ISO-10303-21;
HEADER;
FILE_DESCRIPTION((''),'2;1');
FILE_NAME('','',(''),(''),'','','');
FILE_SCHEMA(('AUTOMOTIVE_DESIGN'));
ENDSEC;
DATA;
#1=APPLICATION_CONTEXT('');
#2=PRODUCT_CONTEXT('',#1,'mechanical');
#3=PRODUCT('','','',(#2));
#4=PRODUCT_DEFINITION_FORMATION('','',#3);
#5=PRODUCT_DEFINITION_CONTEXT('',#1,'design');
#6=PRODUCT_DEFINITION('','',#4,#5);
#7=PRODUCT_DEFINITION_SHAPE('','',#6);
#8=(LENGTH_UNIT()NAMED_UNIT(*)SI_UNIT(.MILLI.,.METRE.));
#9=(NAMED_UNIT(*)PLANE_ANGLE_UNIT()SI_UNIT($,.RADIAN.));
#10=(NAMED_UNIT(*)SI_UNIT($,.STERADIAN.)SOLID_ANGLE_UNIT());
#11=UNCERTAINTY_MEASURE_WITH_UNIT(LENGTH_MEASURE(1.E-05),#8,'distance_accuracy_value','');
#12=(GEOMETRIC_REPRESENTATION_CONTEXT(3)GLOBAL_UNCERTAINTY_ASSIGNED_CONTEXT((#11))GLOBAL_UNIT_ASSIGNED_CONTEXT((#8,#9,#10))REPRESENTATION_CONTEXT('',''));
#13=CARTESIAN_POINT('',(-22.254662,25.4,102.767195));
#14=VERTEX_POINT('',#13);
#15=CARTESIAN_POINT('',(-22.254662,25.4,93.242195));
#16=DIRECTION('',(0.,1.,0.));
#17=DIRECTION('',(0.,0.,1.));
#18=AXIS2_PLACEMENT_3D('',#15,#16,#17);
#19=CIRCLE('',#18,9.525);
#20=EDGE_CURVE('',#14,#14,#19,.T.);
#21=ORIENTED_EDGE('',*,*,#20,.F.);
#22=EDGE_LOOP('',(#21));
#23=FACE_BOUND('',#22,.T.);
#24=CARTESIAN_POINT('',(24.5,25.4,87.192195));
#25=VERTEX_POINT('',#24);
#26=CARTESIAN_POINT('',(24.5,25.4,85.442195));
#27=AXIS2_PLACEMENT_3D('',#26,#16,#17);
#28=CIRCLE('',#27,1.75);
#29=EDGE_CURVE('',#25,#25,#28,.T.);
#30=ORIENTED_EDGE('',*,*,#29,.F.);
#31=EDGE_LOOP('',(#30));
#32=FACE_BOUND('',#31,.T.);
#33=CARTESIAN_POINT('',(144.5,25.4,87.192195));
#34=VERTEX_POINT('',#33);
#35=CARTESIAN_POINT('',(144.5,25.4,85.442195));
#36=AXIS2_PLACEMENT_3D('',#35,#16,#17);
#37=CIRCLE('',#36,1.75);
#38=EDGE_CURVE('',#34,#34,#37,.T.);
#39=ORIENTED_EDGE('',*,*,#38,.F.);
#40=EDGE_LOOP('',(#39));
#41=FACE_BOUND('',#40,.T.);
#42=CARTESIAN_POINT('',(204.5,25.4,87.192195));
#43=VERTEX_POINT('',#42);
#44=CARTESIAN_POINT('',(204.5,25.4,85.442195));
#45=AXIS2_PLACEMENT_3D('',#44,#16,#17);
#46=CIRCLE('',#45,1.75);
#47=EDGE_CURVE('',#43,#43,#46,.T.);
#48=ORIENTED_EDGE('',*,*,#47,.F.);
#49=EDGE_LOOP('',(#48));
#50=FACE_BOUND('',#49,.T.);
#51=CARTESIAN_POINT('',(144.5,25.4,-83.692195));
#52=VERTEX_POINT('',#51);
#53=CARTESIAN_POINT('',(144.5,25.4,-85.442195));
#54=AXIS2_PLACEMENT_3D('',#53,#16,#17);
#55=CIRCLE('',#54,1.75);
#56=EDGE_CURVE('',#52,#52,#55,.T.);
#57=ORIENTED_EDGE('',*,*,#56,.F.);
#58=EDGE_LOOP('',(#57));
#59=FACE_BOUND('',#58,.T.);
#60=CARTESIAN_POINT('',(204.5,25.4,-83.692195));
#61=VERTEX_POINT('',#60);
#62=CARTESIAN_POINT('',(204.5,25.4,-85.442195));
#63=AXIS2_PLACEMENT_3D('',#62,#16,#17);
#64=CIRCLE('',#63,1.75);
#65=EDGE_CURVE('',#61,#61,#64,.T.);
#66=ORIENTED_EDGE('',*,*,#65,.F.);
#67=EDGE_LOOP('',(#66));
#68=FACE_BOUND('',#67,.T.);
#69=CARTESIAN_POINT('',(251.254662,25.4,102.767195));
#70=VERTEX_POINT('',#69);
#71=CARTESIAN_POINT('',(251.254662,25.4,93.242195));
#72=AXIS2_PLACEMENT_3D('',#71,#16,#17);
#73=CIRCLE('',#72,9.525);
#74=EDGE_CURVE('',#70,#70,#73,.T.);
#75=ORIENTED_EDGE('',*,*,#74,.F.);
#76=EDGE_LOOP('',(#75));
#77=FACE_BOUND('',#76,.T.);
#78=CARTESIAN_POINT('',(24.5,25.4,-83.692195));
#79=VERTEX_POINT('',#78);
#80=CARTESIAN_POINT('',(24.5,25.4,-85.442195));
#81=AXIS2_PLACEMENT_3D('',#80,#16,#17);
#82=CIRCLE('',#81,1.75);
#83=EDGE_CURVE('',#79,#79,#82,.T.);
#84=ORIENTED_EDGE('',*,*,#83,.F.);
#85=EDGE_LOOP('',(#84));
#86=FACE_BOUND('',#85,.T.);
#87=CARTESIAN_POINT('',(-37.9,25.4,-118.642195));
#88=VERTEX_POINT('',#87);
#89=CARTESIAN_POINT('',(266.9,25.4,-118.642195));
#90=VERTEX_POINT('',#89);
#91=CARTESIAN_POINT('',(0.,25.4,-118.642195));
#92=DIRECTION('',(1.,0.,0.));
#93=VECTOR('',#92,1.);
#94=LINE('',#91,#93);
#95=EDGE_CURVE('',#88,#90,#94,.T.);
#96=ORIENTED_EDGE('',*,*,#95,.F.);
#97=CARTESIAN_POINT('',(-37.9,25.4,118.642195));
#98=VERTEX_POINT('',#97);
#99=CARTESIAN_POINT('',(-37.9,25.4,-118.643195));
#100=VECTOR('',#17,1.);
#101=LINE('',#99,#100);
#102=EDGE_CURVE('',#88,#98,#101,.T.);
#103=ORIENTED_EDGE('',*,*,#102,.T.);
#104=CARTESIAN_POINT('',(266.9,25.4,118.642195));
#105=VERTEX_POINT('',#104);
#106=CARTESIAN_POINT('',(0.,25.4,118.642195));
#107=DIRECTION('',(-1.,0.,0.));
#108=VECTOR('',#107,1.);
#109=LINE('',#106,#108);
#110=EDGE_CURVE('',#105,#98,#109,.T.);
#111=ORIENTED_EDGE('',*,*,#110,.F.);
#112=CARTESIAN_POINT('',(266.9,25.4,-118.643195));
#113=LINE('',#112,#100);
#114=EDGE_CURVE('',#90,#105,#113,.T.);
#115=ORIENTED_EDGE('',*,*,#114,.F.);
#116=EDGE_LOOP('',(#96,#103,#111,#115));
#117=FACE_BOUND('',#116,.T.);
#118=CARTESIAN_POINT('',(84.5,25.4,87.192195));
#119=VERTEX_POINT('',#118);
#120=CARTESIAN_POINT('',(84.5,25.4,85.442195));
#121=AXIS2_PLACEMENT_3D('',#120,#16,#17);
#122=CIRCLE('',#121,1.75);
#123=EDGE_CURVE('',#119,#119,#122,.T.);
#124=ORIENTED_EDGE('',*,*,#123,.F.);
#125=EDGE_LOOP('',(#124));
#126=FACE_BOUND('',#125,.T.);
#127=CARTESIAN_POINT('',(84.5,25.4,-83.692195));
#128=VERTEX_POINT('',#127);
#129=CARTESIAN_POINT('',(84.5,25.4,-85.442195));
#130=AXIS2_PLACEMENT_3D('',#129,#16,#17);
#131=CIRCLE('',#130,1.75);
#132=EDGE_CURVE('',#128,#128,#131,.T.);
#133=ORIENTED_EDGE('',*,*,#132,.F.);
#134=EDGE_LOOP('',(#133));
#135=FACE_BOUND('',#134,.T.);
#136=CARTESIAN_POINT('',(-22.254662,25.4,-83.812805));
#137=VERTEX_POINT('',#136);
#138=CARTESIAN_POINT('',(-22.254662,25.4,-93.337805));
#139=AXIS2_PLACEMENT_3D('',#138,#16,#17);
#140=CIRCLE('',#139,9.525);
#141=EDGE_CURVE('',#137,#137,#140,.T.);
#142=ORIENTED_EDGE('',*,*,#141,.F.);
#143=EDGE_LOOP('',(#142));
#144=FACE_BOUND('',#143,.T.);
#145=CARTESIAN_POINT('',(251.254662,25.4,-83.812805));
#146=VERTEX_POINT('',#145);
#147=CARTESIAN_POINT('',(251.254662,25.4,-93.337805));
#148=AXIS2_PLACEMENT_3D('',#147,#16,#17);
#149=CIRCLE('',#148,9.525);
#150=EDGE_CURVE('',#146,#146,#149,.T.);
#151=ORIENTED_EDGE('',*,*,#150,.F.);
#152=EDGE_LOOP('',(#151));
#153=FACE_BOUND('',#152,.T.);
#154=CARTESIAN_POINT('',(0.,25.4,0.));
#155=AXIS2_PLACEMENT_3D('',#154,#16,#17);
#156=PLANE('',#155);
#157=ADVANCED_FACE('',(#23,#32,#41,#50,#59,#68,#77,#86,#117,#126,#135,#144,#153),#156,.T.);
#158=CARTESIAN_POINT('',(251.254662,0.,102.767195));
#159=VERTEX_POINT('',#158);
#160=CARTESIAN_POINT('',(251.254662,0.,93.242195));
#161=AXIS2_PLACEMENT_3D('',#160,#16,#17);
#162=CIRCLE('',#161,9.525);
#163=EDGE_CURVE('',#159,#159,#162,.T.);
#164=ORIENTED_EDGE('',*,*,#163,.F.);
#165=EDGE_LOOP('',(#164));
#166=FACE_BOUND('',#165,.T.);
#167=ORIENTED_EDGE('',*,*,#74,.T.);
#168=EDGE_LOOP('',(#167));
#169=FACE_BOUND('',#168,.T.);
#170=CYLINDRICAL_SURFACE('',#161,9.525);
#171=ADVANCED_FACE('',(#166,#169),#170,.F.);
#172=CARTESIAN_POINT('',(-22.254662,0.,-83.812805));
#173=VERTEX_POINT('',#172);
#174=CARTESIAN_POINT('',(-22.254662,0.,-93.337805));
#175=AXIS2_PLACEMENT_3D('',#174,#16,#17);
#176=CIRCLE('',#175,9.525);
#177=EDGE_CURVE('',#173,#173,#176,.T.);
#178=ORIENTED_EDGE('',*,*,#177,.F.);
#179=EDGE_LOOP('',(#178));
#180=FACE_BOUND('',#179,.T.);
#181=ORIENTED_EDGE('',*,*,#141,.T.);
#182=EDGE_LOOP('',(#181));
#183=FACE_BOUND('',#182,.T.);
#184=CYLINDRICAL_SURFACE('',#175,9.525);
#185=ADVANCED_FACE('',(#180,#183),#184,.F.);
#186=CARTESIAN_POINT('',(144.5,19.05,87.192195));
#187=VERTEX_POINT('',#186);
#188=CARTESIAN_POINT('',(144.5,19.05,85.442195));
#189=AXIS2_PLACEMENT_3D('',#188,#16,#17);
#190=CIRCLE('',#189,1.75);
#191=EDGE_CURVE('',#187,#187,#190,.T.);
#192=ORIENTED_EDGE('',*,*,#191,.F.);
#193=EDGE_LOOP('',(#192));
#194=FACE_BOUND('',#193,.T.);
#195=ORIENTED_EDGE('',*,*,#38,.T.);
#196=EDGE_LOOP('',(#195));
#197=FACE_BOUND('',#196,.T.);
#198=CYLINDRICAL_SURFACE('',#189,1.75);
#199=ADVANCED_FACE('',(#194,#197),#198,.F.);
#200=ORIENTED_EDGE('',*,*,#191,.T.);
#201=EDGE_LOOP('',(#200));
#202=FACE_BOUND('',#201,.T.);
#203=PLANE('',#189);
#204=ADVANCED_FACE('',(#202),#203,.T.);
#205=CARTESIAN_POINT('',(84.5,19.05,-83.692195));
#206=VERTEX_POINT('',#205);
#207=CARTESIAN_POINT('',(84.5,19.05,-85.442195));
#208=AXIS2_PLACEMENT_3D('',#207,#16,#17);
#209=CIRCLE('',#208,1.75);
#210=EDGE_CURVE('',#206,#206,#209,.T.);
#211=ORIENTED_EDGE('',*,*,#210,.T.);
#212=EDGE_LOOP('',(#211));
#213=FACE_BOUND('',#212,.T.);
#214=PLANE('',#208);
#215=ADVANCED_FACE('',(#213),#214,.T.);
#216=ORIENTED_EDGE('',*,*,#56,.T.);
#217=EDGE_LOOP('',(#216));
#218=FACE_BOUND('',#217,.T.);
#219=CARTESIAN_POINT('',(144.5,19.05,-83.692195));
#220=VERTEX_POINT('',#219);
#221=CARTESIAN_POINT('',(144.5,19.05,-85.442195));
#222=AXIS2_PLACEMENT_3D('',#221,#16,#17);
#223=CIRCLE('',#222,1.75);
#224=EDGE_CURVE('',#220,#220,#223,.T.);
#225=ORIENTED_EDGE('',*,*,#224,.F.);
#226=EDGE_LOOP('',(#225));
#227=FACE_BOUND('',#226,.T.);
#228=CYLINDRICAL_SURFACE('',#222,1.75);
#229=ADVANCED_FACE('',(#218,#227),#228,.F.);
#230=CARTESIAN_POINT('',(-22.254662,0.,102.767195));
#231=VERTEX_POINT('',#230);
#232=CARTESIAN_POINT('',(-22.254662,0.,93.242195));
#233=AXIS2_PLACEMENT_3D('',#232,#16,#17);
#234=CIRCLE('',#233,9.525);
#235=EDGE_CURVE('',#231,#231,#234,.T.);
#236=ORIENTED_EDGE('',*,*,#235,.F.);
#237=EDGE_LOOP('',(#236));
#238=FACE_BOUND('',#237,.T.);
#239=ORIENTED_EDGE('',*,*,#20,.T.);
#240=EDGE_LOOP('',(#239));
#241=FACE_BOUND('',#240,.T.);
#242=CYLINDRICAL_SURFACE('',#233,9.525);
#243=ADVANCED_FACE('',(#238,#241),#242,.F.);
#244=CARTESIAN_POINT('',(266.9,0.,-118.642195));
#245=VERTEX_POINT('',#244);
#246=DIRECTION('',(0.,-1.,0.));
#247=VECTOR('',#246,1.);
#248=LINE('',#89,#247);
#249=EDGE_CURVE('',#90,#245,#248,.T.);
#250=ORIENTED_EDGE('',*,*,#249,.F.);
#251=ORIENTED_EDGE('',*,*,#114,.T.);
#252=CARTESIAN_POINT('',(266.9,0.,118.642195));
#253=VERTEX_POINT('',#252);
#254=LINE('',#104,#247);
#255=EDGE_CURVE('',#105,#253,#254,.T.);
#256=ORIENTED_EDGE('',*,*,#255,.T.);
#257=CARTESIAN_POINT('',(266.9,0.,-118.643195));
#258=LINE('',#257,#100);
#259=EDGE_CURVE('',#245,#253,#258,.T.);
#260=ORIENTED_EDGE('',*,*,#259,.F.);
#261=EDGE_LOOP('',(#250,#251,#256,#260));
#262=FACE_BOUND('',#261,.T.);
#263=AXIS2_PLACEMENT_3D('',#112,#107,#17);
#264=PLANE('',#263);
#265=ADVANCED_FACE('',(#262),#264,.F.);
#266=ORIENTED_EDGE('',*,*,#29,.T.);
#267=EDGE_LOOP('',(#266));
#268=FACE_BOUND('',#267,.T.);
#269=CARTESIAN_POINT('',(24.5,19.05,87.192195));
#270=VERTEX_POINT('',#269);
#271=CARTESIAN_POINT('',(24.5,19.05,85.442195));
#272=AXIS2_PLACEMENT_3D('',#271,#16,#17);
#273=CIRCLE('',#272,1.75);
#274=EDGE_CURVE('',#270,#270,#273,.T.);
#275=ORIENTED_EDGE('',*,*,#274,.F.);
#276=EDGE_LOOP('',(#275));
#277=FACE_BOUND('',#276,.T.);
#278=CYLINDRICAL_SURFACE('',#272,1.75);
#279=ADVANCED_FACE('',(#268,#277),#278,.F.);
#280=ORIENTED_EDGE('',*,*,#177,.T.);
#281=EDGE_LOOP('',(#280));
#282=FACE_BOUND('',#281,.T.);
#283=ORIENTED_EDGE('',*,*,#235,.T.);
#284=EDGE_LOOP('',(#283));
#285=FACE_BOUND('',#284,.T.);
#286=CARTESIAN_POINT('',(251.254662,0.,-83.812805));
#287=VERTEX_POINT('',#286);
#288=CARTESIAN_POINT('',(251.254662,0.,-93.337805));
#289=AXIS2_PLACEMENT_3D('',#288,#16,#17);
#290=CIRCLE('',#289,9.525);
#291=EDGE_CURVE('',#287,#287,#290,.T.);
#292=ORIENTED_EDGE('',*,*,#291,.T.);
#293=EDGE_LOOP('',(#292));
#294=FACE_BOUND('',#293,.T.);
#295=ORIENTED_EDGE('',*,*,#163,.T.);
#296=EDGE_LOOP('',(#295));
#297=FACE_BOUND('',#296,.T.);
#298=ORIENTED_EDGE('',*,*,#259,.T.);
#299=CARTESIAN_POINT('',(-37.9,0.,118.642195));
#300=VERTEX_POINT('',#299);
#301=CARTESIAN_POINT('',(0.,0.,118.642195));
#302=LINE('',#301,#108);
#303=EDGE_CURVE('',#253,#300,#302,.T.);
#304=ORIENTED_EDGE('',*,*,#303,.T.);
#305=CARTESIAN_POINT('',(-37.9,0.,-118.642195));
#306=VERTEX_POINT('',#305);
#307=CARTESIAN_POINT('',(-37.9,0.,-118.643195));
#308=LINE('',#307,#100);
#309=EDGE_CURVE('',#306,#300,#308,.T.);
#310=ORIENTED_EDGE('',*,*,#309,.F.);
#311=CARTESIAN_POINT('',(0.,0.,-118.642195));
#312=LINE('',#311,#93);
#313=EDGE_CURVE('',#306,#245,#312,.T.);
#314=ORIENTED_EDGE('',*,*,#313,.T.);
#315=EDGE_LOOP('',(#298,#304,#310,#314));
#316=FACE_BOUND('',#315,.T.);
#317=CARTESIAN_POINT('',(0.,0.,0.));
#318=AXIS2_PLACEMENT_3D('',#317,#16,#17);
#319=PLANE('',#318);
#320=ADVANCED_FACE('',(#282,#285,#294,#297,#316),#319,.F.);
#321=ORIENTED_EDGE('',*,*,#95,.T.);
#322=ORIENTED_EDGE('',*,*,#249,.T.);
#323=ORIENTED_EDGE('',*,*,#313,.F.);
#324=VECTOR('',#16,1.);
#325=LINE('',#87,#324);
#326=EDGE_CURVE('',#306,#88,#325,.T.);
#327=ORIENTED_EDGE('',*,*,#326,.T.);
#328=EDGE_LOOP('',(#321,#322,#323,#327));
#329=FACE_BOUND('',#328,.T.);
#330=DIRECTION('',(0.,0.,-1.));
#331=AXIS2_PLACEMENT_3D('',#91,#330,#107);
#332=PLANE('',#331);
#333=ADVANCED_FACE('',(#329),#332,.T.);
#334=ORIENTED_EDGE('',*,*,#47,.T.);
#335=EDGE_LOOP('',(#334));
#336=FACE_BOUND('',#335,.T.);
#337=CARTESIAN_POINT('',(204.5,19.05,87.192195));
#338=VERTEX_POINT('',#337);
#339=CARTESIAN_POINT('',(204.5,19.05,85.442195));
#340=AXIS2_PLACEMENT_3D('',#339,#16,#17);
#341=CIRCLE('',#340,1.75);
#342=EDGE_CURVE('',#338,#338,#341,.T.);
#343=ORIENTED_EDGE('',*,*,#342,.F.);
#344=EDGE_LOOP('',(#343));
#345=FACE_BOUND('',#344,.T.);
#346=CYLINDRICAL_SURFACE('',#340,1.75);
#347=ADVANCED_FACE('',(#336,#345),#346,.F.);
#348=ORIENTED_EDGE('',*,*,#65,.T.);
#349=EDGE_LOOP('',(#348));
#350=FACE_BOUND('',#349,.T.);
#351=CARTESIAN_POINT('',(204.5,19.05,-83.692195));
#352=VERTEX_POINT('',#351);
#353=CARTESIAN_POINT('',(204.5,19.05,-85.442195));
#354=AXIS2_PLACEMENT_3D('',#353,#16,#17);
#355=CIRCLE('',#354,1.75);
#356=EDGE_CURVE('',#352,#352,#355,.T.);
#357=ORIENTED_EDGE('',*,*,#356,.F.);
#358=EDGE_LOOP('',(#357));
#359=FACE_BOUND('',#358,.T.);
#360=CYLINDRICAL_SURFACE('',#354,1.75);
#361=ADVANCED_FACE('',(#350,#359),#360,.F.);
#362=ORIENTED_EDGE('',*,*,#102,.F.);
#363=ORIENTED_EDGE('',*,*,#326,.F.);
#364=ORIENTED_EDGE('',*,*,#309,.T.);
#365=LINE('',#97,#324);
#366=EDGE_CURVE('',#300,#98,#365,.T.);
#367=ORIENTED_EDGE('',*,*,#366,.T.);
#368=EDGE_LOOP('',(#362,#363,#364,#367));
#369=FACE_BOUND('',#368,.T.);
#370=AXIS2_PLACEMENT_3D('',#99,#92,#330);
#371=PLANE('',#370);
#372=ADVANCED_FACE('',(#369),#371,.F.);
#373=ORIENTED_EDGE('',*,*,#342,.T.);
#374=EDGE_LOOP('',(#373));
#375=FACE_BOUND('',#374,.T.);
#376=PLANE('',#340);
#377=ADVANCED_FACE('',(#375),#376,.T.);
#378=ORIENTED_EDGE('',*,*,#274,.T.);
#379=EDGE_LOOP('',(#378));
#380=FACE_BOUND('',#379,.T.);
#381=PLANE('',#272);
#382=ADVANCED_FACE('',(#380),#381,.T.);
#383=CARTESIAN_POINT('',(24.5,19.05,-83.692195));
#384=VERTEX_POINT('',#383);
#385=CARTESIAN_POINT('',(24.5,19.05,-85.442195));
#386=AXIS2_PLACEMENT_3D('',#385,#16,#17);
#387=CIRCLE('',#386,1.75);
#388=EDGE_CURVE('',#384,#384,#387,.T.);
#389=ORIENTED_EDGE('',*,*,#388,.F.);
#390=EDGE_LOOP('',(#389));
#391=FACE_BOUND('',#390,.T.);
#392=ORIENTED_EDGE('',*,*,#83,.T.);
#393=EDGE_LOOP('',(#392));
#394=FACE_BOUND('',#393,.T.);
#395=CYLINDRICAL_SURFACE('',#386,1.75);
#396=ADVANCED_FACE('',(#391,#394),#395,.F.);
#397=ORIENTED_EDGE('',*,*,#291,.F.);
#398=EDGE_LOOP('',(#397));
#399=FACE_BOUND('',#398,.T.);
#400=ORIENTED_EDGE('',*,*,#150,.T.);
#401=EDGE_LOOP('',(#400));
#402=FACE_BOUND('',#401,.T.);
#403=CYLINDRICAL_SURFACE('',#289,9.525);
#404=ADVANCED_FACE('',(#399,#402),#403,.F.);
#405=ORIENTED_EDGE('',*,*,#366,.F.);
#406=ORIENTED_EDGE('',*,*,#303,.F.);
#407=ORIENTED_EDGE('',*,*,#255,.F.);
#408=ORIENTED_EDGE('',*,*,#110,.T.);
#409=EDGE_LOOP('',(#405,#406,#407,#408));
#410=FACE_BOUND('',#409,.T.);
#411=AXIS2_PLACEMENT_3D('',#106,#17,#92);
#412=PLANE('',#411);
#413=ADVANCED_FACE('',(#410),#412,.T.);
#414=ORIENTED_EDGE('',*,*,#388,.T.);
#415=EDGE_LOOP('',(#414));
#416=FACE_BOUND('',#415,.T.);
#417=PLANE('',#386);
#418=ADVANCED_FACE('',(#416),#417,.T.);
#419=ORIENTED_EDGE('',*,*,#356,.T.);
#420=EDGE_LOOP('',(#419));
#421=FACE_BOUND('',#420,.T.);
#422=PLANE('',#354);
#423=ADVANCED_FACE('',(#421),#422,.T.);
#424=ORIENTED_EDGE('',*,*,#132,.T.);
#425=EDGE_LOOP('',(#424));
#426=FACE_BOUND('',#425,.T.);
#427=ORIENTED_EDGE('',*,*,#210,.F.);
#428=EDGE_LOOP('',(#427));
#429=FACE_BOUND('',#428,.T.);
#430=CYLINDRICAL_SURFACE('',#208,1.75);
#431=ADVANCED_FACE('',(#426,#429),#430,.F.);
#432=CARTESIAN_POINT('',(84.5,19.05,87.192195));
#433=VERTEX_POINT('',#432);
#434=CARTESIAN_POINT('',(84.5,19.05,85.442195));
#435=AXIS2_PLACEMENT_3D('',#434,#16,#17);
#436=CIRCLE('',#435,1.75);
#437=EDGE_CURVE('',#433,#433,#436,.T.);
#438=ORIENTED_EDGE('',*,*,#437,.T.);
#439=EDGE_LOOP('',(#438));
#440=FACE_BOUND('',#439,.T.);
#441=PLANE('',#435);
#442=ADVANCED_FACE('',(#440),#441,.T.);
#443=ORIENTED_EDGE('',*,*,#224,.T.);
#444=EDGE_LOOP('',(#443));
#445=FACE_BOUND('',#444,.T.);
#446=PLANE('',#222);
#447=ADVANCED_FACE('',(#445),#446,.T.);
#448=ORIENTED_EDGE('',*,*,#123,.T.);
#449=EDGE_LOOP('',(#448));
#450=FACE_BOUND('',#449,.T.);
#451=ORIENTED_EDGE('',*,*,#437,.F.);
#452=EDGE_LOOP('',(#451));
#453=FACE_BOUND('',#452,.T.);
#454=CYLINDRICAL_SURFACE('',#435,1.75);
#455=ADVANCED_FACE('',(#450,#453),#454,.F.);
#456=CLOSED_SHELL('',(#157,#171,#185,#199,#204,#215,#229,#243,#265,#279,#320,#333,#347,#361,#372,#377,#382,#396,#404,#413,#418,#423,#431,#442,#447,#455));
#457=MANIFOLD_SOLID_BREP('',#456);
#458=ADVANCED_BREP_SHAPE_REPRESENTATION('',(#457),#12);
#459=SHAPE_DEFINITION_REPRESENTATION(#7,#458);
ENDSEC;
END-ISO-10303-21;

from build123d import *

# Parameters (mm, degrees)
SKETCH1_W           = 317.959323002
SKETCH1_H           = 237.284389444
BOSS_EXTRUDE1_DEPTH = 25.4
CUT_EXTRUDE1_START  = 25.4
SKETCH1_3_R         = 1.75
CUT_EXTRUDE1_DEPTH  = 6.35
SKETCH5_R           = 9.525
CUT_EXTRUDE2_DEPTH  = 26.4
CUT_EXTRUDE3_REACH  = 239.284
SKETCH6_W           = 11.775930683
SKETCH6_H           = 25.4
SKETCH6_W_2         = 11.132113684


with BuildPart() as part:
    # Sketch1 → Boss-Extrude1 (new body)
    with BuildSketch(Plane(origin=(0, 0, 0), x_dir=(1, 0, 0), z_dir=(0, 1, 0))):
        with Locations((114.5, 0)):
            Rectangle(SKETCH1_W, SKETCH1_H)
    extrude(amount=BOSS_EXTRUDE1_DEPTH)

    # Sketch1<3> → Cut-Extrude1 (cut)
    with BuildSketch(Plane(origin=(0, 0, 0), x_dir=(1, 0, 0), z_dir=(0, 1, 0)).offset(CUT_EXTRUDE1_START)):
        with Locations((24.5, 85.442194722)):
            Circle(SKETCH1_3_R)
        with Locations((84.5, 85.442194722)):
            Circle(SKETCH1_3_R)
        with Locations((144.5, 85.442194722)):
            Circle(SKETCH1_3_R)
        with Locations((204.5, 85.442194722)):
            Circle(SKETCH1_3_R)
        with Locations((24.5, -85.442194722)):
            Circle(SKETCH1_3_R)
        with Locations((84.5, -85.442194722)):
            Circle(SKETCH1_3_R)
        with Locations((144.5, -85.442194722)):
            Circle(SKETCH1_3_R)
        with Locations((204.5, -85.442194722)):
            Circle(SKETCH1_3_R)
    extrude(amount=-CUT_EXTRUDE1_DEPTH, mode=Mode.SUBTRACT)

    # Sketch5 → Cut-Extrude2 (cut, through all)
    with BuildSketch(Plane(origin=(0, 25.4, 0), x_dir=(1, 0, 0), z_dir=(0, 1, 0))):
        with Locations((-22.254661501, -93.242194722)):
            Circle(SKETCH5_R)
        with Locations((251.254661501, -93.242194722)):
            Circle(SKETCH5_R)
        with Locations((251.254661501, 93.337805278)):
            Circle(SKETCH5_R)
        with Locations((-22.254661501, 93.337805278)):
            Circle(SKETCH5_R)
    extrude(amount=-CUT_EXTRUDE2_DEPTH, mode=Mode.SUBTRACT)

    # Sketch6 → Cut-Extrude3 (cut, up to next)
    with BuildSketch(Plane.XY.offset(118.642194722), mode=Mode.PRIVATE) as cut_extrude3_sk1:
        with Locations((-43.787965342, 12.7)):
            Rectangle(SKETCH6_W, SKETCH6_H)
    cut_extrude3_tool1 = extrude(cut_extrude3_sk1.sketch, amount=-CUT_EXTRUDE3_REACH, mode=Mode.PRIVATE) & part.part
    add(cut_extrude3_tool1.solids().sort_by_distance((-43.787965, 12.7, 118.642195))[0], mode=Mode.SUBTRACT)
    # Sketch6 → Cut-Extrude3 (cut, up to next)
    with BuildSketch(Plane.XY.offset(118.642194722), mode=Mode.PRIVATE) as cut_extrude3_sk2:
        with Locations((272.466056842, 12.7)):
            Rectangle(SKETCH6_W_2, SKETCH6_H)
    cut_extrude3_tool2 = extrude(cut_extrude3_sk2.sketch, amount=-CUT_EXTRUDE3_REACH, mode=Mode.PRIVATE) & part.part
    add(cut_extrude3_tool2.solids().sort_by_distance((272.466057, 12.7, 118.642195))[0], mode=Mode.SUBTRACT)


solid = part.part
